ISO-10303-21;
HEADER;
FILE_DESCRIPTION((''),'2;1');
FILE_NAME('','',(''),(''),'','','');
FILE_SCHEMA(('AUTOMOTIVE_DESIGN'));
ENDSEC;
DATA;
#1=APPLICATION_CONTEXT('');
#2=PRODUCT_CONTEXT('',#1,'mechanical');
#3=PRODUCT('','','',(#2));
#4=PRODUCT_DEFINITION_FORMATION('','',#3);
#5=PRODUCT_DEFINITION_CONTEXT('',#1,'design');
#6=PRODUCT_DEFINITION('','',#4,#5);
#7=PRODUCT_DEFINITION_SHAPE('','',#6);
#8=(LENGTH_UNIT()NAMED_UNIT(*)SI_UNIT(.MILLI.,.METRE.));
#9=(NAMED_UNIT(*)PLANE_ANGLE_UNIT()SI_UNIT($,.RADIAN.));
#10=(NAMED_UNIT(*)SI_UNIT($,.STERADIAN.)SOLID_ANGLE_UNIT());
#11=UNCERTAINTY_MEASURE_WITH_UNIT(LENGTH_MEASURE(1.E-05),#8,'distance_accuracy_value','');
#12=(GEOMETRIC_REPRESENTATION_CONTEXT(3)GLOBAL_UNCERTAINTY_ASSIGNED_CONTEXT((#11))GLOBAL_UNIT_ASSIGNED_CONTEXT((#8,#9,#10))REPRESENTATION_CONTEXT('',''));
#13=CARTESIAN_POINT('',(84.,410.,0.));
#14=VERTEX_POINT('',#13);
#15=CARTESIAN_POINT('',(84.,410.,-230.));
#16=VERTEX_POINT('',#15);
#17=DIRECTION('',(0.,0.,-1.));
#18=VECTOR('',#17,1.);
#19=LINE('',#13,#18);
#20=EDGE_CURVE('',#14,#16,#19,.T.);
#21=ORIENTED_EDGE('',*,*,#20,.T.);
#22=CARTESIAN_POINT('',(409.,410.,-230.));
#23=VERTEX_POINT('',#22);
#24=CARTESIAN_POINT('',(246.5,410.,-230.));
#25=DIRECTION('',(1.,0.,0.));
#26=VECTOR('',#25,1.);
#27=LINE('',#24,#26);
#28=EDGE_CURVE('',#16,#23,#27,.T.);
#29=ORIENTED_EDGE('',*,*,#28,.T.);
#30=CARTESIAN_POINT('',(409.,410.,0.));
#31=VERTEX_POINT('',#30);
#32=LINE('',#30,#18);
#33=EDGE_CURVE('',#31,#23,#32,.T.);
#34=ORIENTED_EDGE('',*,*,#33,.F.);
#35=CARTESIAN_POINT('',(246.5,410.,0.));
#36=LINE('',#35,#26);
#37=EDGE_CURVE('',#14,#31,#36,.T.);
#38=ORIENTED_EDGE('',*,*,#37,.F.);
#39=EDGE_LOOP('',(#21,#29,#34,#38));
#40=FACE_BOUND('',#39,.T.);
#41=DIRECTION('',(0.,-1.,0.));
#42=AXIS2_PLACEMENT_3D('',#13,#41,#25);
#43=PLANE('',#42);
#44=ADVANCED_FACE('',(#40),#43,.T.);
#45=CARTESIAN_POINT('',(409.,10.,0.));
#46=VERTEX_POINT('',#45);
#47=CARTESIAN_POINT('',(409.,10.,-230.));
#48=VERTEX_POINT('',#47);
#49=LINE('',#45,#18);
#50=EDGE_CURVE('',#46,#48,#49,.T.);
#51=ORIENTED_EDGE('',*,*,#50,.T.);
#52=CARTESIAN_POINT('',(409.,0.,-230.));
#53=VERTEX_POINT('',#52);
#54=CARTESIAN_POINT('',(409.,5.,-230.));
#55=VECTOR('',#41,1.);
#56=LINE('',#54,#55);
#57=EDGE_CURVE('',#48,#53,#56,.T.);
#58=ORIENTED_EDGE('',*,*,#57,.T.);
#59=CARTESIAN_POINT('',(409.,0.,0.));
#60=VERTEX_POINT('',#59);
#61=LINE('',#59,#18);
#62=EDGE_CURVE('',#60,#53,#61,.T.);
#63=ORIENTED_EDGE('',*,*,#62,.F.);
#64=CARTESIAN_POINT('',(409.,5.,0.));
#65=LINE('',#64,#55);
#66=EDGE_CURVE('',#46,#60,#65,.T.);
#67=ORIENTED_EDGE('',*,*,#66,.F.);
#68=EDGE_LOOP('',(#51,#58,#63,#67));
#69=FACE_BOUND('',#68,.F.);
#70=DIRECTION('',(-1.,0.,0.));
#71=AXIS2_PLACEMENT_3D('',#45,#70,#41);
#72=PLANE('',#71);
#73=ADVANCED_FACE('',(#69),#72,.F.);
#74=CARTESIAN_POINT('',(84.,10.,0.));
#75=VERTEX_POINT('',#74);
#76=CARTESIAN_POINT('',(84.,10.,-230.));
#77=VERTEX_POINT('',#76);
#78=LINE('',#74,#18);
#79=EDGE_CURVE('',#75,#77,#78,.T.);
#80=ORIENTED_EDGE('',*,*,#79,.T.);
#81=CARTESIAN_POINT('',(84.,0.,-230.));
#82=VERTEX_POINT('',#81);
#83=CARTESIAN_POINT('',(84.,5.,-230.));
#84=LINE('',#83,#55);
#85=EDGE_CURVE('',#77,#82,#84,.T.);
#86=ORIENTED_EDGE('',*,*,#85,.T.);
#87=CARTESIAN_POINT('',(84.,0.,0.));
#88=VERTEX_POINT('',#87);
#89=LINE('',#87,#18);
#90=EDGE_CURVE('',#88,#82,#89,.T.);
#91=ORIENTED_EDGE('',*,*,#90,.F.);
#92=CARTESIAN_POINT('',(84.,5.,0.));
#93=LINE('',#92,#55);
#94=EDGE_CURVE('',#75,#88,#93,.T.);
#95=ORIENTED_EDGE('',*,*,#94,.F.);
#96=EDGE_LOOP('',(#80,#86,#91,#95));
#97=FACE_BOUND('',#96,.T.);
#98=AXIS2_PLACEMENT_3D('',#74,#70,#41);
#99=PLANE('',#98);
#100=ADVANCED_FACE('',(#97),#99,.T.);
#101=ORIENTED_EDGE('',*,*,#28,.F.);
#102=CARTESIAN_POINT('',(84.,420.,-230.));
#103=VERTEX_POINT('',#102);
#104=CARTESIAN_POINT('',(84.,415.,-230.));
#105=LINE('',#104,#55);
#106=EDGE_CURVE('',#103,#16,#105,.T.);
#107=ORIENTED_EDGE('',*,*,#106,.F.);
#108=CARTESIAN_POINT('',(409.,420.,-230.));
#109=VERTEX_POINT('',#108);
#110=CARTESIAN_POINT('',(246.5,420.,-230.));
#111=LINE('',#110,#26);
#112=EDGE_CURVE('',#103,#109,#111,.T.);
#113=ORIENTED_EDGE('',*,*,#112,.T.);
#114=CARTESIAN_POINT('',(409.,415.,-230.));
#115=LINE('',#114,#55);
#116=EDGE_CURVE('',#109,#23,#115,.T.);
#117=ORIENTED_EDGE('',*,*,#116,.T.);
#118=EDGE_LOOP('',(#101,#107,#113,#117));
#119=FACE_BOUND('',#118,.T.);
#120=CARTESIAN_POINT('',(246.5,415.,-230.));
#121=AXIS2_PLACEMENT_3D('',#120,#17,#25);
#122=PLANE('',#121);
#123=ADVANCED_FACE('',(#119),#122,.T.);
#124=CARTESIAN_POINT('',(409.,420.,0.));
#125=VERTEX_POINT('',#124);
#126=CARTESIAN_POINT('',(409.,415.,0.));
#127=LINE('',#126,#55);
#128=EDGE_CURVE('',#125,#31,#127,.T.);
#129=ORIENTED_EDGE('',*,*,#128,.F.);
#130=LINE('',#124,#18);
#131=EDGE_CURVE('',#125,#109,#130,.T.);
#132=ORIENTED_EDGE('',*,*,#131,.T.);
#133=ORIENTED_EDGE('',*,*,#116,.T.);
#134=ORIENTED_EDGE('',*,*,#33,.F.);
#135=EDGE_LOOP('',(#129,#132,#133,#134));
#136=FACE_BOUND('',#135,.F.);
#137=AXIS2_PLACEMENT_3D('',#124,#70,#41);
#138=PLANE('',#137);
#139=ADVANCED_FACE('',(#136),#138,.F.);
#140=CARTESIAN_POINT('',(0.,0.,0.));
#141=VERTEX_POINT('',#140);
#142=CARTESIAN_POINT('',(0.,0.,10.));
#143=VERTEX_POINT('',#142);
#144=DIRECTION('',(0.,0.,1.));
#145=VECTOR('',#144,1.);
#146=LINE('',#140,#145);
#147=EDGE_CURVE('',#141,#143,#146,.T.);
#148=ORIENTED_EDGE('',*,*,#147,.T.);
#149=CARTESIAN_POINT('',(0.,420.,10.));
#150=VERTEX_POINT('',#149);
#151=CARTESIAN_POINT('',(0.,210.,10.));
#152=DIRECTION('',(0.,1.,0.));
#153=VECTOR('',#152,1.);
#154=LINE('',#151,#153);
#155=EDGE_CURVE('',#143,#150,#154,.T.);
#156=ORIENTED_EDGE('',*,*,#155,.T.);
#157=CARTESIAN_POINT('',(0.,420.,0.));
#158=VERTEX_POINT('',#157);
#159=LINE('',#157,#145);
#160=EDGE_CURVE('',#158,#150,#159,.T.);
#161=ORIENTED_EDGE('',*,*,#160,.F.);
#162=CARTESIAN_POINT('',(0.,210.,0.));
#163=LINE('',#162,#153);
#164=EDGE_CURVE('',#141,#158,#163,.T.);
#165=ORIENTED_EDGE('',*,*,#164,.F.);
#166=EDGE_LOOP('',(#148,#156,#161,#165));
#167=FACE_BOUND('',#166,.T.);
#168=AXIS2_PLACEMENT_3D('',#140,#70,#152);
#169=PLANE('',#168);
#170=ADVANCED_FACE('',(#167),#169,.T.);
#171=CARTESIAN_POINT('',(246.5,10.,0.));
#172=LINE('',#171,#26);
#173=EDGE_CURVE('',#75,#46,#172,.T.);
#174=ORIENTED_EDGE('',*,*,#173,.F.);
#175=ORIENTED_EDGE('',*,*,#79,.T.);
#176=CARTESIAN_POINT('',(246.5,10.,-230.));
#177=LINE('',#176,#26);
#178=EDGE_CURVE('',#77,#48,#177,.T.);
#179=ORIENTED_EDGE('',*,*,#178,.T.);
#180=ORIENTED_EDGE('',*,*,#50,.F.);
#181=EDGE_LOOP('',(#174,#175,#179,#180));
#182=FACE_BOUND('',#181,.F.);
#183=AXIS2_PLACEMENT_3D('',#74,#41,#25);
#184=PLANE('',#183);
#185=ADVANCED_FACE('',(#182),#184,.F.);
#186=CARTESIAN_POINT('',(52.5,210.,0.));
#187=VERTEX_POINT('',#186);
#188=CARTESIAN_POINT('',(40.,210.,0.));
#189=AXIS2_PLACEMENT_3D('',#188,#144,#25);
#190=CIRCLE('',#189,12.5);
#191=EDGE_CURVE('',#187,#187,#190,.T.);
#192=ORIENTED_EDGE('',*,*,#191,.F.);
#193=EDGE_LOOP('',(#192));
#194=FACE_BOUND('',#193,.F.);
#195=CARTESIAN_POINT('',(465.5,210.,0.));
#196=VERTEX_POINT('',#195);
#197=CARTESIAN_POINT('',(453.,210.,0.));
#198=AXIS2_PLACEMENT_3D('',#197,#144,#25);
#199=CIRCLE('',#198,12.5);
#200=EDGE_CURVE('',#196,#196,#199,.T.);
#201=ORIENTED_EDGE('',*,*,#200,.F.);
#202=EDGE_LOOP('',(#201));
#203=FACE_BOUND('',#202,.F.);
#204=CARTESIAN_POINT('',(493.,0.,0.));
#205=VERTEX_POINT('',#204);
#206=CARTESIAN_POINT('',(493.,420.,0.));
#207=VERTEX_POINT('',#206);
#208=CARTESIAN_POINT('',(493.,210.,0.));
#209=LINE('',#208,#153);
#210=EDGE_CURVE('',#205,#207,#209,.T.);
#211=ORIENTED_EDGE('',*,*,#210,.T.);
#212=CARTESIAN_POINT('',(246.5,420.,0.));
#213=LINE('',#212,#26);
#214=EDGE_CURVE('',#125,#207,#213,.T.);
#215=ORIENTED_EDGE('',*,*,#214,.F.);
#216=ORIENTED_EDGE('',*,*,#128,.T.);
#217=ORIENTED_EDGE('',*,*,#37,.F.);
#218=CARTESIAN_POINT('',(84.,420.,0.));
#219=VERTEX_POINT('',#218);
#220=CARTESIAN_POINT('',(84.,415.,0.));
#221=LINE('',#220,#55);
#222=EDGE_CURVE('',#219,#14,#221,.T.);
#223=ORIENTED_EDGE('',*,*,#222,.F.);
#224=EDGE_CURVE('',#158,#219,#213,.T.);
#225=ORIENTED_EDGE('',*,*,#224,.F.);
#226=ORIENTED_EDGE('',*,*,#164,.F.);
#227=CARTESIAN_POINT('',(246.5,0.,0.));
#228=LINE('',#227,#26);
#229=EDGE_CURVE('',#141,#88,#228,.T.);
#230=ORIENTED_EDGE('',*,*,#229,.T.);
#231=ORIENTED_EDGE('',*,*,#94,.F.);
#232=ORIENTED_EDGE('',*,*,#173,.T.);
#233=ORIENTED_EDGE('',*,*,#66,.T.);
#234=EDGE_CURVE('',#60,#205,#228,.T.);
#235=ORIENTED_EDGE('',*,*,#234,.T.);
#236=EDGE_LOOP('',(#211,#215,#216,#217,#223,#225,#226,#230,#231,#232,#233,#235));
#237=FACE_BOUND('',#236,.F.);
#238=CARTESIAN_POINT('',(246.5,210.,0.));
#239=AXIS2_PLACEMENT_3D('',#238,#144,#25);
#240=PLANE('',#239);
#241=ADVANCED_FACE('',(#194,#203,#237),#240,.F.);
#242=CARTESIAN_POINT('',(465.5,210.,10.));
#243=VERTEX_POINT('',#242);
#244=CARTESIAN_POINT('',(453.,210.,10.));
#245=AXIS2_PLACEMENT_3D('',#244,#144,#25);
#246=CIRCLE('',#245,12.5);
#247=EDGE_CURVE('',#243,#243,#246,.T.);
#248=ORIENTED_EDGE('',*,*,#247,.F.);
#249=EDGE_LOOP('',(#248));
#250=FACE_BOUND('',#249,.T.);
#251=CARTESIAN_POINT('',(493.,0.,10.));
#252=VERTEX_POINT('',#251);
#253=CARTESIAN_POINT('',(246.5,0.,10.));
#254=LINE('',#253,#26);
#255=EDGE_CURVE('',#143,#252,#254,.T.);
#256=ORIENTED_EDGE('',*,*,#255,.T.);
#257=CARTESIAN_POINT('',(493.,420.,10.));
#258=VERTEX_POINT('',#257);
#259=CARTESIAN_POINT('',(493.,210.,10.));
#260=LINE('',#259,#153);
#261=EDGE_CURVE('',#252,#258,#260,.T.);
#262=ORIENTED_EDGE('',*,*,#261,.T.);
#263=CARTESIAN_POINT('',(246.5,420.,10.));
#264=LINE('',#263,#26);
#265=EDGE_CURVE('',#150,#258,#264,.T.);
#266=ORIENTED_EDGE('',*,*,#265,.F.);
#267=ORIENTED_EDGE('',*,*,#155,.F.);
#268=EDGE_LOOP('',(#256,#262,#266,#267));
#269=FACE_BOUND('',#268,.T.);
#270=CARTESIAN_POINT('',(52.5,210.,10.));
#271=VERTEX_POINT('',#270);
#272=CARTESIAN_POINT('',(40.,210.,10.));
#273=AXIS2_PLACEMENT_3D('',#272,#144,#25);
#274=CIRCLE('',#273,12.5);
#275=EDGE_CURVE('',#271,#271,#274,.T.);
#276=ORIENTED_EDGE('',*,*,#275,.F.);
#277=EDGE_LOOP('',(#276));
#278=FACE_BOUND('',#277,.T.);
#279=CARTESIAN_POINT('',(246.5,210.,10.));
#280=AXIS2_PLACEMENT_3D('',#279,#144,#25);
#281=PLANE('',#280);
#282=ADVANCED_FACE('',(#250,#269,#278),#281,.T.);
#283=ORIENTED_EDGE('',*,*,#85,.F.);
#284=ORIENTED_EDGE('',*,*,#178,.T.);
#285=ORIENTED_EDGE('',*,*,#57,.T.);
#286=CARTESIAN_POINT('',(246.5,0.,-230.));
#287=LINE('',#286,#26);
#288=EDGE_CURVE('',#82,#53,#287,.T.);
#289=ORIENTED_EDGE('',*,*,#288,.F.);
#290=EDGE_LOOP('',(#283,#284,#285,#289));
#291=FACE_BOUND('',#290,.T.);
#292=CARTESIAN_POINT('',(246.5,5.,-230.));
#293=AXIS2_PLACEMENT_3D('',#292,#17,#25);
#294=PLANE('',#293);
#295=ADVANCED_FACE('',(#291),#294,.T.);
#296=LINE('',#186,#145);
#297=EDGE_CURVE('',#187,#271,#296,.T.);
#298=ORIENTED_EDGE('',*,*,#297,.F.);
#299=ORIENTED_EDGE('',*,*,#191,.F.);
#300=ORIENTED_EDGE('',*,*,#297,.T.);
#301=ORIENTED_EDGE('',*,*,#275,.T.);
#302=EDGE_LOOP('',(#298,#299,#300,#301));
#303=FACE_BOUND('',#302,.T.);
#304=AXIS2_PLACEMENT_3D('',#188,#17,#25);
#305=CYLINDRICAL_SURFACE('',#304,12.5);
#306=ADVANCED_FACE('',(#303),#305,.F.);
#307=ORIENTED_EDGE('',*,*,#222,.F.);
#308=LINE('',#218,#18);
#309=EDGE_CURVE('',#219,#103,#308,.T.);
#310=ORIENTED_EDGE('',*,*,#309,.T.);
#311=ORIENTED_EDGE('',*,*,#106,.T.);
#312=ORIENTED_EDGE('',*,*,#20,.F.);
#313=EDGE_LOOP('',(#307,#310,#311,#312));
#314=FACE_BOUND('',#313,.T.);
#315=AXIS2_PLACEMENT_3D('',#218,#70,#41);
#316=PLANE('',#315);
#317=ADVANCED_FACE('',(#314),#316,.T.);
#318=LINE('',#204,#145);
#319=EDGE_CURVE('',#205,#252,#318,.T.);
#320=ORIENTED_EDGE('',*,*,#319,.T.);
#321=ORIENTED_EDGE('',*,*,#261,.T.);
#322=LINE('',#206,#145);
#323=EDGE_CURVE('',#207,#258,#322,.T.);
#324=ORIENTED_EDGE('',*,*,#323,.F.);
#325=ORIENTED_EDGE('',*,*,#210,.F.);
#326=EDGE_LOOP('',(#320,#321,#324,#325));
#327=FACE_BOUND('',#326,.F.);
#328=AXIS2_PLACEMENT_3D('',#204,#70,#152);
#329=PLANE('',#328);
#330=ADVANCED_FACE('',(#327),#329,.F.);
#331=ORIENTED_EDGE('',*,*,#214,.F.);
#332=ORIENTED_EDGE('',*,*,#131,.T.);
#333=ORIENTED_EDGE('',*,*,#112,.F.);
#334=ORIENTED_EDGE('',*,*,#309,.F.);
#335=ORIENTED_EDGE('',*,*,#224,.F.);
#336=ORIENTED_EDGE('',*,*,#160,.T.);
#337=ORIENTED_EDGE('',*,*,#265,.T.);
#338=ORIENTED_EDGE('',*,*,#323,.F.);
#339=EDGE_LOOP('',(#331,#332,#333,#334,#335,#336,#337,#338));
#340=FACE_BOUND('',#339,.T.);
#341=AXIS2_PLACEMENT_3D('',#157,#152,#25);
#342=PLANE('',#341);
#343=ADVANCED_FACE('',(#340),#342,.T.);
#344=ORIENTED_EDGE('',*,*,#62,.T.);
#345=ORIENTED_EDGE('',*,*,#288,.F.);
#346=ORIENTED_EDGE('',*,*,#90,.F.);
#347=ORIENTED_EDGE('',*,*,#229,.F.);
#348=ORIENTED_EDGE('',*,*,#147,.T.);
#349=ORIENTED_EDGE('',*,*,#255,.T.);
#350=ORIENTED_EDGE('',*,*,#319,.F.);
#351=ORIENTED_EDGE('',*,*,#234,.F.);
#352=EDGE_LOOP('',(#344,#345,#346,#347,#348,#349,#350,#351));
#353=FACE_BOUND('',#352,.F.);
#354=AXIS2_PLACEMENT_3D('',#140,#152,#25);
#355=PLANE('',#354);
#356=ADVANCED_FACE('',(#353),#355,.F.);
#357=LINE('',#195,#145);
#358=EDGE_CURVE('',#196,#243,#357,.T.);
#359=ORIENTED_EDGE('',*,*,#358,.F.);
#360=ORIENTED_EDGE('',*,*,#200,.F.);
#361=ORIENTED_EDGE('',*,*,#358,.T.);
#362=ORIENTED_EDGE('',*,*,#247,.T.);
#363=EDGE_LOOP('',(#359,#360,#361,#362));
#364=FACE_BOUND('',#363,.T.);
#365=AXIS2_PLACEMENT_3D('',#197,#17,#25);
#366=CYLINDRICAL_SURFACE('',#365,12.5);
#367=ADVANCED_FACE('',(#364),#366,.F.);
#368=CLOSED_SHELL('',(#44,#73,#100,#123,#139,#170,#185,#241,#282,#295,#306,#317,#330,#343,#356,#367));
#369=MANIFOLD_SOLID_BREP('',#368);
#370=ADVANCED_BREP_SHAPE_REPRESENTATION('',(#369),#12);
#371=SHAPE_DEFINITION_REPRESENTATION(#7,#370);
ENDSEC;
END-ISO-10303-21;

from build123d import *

# Parameters (mm, degrees)
F0_W     = 493
F0_H     = 420
F0_R     = 12.5
F1_DEPTH = 10
F2_W     = 325
F2_H     = 10
F3_DEPTH = 230


with BuildPart() as f1:
    # F0 (on Top) → F1 (new body)
    with BuildSketch(Plane.XY):
        with Locations((246.5, 210)):
            Rectangle(F0_W, F0_H)
        with Locations((40, 210)):
            Circle(F0_R, mode=Mode.SUBTRACT)
        with Locations((453, 210)):
            Circle(F0_R, mode=Mode.SUBTRACT)
    extrude(amount=F1_DEPTH)

    # F2 (on face) → F3 (join)
    with BuildSketch(Plane(origin=(0, 0, 0), x_dir=(1, 0, 0), z_dir=(0, 0, -1))):
        with Locations((246.5, -5)):
            Rectangle(F2_W, F2_H)
        with Locations((246.5, -415)):
            Rectangle(F2_W, F2_H)
    extrude(amount=F3_DEPTH)


solid = f1.part
